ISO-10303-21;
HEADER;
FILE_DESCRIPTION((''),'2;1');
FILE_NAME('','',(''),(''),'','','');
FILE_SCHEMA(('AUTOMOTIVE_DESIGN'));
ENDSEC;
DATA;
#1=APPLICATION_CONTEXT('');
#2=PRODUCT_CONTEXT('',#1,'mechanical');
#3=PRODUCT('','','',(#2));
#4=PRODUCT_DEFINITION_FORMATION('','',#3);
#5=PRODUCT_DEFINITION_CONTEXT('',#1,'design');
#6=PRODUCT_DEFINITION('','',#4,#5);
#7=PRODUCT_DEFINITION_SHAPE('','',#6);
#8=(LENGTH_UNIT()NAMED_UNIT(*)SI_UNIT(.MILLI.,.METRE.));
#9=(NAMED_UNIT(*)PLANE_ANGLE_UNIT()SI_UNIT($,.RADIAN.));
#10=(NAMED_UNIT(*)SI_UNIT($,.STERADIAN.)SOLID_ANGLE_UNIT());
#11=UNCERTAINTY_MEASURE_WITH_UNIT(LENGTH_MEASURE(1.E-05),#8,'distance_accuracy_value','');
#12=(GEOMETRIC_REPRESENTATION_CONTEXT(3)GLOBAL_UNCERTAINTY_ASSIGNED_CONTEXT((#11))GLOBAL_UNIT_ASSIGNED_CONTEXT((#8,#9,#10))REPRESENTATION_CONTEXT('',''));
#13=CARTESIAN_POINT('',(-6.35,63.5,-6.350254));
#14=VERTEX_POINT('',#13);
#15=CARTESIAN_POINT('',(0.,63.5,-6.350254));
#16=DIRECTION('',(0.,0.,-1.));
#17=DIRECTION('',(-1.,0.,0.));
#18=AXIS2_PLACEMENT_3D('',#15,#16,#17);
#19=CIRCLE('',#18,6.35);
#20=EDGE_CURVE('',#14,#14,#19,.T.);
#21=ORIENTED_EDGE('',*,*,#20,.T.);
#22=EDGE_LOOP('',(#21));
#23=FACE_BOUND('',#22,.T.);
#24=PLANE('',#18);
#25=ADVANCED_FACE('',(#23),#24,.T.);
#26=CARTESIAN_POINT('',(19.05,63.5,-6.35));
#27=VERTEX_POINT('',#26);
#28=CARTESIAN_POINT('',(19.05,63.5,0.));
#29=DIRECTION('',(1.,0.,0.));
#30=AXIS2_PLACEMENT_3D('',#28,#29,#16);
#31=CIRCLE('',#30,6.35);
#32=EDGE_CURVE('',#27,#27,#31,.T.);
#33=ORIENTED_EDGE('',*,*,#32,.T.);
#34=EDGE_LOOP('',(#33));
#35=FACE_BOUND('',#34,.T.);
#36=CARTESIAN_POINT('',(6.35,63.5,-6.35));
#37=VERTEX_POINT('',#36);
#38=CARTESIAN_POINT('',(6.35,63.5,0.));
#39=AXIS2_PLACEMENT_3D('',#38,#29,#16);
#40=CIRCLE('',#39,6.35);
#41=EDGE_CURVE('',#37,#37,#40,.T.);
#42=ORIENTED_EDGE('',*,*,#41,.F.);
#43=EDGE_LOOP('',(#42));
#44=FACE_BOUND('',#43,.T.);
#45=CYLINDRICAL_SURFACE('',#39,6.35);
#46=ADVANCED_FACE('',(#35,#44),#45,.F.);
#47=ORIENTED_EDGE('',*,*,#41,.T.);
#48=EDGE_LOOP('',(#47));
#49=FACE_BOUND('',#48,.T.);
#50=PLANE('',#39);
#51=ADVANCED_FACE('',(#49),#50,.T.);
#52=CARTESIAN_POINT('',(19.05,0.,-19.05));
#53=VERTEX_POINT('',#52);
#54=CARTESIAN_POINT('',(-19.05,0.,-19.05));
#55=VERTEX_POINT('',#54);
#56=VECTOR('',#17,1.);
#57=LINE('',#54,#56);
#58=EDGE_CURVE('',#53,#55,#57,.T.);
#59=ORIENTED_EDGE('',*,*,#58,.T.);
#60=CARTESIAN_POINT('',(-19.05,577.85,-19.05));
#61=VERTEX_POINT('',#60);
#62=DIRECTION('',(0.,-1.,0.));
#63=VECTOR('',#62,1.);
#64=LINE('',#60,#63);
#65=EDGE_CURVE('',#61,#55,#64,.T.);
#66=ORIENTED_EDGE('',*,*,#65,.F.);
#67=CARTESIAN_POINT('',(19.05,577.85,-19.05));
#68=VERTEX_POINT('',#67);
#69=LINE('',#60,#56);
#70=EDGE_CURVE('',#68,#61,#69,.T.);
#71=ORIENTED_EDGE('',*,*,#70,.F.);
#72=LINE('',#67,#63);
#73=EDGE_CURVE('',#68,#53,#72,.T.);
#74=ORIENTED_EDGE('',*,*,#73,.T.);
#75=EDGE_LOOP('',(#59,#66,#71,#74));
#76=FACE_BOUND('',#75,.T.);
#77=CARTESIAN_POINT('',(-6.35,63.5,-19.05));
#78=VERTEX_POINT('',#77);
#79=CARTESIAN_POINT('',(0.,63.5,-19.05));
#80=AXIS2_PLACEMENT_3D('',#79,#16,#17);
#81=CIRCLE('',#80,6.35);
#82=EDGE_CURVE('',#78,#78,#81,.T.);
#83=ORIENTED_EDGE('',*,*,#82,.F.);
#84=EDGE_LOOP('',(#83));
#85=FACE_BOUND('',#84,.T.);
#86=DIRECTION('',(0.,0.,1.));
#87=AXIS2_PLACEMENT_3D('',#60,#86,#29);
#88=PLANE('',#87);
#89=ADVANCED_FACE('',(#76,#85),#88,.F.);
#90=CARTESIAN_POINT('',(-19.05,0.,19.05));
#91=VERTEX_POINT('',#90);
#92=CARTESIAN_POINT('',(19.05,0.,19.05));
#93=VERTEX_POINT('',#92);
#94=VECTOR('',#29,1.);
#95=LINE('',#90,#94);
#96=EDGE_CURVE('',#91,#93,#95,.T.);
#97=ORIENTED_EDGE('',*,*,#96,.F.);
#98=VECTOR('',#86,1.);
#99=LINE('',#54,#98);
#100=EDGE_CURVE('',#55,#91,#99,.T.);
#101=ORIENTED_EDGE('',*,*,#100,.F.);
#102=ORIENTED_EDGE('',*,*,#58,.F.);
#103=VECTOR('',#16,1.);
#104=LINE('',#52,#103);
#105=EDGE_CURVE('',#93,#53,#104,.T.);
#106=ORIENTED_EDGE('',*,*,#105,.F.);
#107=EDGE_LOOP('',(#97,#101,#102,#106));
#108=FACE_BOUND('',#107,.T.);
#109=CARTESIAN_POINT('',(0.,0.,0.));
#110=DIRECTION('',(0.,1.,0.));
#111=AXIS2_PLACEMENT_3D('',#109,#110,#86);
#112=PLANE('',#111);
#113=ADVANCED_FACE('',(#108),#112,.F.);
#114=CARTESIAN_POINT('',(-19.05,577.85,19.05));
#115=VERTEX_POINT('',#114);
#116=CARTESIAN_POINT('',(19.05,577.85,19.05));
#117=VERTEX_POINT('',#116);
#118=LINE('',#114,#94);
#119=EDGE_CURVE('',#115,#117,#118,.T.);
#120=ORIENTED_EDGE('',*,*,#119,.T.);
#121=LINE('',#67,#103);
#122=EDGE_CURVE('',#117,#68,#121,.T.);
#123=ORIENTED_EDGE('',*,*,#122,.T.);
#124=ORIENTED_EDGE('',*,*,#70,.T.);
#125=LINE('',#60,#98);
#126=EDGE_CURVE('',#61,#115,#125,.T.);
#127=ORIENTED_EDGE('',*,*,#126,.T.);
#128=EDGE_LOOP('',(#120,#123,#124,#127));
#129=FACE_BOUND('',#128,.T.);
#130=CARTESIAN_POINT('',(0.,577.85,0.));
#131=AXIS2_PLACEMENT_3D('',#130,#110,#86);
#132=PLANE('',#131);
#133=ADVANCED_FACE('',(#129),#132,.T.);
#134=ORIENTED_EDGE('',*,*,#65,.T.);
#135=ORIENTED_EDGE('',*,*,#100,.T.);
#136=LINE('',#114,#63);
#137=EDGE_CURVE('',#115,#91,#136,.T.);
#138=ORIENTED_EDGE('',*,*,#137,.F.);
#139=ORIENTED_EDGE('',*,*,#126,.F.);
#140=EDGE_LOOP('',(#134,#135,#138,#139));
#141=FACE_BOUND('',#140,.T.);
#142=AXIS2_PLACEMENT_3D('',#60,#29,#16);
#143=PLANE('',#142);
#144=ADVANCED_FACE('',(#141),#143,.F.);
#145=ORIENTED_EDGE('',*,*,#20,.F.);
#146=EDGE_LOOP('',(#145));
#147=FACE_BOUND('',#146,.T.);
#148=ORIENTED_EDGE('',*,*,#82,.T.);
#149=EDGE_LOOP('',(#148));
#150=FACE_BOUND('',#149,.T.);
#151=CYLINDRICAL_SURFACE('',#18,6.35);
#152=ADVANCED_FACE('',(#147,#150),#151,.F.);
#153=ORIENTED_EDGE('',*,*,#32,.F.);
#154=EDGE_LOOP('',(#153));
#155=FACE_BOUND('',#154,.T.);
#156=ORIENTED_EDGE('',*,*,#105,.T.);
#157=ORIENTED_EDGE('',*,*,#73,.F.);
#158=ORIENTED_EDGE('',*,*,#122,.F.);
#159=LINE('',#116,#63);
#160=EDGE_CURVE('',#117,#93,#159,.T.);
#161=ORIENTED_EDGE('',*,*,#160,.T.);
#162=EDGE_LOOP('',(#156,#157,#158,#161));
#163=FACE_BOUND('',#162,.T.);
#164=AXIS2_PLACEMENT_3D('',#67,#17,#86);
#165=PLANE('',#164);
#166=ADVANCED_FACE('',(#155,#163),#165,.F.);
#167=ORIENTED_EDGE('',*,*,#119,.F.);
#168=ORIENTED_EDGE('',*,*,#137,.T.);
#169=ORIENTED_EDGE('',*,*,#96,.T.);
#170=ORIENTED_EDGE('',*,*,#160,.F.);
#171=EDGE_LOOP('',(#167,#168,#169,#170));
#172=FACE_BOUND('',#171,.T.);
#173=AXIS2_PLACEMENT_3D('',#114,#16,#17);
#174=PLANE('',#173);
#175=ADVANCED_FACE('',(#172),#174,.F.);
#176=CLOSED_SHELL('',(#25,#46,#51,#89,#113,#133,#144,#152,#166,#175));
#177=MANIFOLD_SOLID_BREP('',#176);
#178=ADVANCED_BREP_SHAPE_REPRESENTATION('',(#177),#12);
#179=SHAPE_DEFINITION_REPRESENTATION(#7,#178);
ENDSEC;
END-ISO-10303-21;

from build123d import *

# Parameters (mm, degrees)
CROQUIS1_W              = 38.1
CROQUIS1_H              = 38.1
SALIENTE_EXTRUIR1_DEPTH = 577.85
CROQUIS2_R              = 6.35
CORTAR_EXTRUIR1_DEPTH   = 12.7
CROQUIS4_R              = 6.35
CORTAR_EXTRUIR2_DEPTH   = 12.699746


with BuildPart() as part:
    # Croquis1 → Saliente-Extruir1 (new body)
    with BuildSketch(Plane(origin=(0, 0, 0), x_dir=(1, 0, 0), z_dir=(0, 1, 0))):
        Rectangle(CROQUIS1_W, CROQUIS1_H)
    extrude(amount=SALIENTE_EXTRUIR1_DEPTH)

    # Croquis2 → Cortar-Extruir1 (cut)
    with BuildSketch(Plane(origin=(19.05, 0, 0), x_dir=(0, 0, -1), z_dir=(1, 0, 0))):
        with Locations((0, 63.5)):
            Circle(CROQUIS2_R)
    extrude(amount=-CORTAR_EXTRUIR1_DEPTH, mode=Mode.SUBTRACT)

    # Croquis4 → Cortar-Extruir2 (cut)
    with BuildSketch(Plane(origin=(0, 0, -19.05), x_dir=(-1, 0, 0), z_dir=(0, 0, -1))):
        with Locations((0, 63.5)):
            Circle(CROQUIS4_R)
    extrude(amount=-CORTAR_EXTRUIR2_DEPTH, mode=Mode.SUBTRACT)


solid = part.part
